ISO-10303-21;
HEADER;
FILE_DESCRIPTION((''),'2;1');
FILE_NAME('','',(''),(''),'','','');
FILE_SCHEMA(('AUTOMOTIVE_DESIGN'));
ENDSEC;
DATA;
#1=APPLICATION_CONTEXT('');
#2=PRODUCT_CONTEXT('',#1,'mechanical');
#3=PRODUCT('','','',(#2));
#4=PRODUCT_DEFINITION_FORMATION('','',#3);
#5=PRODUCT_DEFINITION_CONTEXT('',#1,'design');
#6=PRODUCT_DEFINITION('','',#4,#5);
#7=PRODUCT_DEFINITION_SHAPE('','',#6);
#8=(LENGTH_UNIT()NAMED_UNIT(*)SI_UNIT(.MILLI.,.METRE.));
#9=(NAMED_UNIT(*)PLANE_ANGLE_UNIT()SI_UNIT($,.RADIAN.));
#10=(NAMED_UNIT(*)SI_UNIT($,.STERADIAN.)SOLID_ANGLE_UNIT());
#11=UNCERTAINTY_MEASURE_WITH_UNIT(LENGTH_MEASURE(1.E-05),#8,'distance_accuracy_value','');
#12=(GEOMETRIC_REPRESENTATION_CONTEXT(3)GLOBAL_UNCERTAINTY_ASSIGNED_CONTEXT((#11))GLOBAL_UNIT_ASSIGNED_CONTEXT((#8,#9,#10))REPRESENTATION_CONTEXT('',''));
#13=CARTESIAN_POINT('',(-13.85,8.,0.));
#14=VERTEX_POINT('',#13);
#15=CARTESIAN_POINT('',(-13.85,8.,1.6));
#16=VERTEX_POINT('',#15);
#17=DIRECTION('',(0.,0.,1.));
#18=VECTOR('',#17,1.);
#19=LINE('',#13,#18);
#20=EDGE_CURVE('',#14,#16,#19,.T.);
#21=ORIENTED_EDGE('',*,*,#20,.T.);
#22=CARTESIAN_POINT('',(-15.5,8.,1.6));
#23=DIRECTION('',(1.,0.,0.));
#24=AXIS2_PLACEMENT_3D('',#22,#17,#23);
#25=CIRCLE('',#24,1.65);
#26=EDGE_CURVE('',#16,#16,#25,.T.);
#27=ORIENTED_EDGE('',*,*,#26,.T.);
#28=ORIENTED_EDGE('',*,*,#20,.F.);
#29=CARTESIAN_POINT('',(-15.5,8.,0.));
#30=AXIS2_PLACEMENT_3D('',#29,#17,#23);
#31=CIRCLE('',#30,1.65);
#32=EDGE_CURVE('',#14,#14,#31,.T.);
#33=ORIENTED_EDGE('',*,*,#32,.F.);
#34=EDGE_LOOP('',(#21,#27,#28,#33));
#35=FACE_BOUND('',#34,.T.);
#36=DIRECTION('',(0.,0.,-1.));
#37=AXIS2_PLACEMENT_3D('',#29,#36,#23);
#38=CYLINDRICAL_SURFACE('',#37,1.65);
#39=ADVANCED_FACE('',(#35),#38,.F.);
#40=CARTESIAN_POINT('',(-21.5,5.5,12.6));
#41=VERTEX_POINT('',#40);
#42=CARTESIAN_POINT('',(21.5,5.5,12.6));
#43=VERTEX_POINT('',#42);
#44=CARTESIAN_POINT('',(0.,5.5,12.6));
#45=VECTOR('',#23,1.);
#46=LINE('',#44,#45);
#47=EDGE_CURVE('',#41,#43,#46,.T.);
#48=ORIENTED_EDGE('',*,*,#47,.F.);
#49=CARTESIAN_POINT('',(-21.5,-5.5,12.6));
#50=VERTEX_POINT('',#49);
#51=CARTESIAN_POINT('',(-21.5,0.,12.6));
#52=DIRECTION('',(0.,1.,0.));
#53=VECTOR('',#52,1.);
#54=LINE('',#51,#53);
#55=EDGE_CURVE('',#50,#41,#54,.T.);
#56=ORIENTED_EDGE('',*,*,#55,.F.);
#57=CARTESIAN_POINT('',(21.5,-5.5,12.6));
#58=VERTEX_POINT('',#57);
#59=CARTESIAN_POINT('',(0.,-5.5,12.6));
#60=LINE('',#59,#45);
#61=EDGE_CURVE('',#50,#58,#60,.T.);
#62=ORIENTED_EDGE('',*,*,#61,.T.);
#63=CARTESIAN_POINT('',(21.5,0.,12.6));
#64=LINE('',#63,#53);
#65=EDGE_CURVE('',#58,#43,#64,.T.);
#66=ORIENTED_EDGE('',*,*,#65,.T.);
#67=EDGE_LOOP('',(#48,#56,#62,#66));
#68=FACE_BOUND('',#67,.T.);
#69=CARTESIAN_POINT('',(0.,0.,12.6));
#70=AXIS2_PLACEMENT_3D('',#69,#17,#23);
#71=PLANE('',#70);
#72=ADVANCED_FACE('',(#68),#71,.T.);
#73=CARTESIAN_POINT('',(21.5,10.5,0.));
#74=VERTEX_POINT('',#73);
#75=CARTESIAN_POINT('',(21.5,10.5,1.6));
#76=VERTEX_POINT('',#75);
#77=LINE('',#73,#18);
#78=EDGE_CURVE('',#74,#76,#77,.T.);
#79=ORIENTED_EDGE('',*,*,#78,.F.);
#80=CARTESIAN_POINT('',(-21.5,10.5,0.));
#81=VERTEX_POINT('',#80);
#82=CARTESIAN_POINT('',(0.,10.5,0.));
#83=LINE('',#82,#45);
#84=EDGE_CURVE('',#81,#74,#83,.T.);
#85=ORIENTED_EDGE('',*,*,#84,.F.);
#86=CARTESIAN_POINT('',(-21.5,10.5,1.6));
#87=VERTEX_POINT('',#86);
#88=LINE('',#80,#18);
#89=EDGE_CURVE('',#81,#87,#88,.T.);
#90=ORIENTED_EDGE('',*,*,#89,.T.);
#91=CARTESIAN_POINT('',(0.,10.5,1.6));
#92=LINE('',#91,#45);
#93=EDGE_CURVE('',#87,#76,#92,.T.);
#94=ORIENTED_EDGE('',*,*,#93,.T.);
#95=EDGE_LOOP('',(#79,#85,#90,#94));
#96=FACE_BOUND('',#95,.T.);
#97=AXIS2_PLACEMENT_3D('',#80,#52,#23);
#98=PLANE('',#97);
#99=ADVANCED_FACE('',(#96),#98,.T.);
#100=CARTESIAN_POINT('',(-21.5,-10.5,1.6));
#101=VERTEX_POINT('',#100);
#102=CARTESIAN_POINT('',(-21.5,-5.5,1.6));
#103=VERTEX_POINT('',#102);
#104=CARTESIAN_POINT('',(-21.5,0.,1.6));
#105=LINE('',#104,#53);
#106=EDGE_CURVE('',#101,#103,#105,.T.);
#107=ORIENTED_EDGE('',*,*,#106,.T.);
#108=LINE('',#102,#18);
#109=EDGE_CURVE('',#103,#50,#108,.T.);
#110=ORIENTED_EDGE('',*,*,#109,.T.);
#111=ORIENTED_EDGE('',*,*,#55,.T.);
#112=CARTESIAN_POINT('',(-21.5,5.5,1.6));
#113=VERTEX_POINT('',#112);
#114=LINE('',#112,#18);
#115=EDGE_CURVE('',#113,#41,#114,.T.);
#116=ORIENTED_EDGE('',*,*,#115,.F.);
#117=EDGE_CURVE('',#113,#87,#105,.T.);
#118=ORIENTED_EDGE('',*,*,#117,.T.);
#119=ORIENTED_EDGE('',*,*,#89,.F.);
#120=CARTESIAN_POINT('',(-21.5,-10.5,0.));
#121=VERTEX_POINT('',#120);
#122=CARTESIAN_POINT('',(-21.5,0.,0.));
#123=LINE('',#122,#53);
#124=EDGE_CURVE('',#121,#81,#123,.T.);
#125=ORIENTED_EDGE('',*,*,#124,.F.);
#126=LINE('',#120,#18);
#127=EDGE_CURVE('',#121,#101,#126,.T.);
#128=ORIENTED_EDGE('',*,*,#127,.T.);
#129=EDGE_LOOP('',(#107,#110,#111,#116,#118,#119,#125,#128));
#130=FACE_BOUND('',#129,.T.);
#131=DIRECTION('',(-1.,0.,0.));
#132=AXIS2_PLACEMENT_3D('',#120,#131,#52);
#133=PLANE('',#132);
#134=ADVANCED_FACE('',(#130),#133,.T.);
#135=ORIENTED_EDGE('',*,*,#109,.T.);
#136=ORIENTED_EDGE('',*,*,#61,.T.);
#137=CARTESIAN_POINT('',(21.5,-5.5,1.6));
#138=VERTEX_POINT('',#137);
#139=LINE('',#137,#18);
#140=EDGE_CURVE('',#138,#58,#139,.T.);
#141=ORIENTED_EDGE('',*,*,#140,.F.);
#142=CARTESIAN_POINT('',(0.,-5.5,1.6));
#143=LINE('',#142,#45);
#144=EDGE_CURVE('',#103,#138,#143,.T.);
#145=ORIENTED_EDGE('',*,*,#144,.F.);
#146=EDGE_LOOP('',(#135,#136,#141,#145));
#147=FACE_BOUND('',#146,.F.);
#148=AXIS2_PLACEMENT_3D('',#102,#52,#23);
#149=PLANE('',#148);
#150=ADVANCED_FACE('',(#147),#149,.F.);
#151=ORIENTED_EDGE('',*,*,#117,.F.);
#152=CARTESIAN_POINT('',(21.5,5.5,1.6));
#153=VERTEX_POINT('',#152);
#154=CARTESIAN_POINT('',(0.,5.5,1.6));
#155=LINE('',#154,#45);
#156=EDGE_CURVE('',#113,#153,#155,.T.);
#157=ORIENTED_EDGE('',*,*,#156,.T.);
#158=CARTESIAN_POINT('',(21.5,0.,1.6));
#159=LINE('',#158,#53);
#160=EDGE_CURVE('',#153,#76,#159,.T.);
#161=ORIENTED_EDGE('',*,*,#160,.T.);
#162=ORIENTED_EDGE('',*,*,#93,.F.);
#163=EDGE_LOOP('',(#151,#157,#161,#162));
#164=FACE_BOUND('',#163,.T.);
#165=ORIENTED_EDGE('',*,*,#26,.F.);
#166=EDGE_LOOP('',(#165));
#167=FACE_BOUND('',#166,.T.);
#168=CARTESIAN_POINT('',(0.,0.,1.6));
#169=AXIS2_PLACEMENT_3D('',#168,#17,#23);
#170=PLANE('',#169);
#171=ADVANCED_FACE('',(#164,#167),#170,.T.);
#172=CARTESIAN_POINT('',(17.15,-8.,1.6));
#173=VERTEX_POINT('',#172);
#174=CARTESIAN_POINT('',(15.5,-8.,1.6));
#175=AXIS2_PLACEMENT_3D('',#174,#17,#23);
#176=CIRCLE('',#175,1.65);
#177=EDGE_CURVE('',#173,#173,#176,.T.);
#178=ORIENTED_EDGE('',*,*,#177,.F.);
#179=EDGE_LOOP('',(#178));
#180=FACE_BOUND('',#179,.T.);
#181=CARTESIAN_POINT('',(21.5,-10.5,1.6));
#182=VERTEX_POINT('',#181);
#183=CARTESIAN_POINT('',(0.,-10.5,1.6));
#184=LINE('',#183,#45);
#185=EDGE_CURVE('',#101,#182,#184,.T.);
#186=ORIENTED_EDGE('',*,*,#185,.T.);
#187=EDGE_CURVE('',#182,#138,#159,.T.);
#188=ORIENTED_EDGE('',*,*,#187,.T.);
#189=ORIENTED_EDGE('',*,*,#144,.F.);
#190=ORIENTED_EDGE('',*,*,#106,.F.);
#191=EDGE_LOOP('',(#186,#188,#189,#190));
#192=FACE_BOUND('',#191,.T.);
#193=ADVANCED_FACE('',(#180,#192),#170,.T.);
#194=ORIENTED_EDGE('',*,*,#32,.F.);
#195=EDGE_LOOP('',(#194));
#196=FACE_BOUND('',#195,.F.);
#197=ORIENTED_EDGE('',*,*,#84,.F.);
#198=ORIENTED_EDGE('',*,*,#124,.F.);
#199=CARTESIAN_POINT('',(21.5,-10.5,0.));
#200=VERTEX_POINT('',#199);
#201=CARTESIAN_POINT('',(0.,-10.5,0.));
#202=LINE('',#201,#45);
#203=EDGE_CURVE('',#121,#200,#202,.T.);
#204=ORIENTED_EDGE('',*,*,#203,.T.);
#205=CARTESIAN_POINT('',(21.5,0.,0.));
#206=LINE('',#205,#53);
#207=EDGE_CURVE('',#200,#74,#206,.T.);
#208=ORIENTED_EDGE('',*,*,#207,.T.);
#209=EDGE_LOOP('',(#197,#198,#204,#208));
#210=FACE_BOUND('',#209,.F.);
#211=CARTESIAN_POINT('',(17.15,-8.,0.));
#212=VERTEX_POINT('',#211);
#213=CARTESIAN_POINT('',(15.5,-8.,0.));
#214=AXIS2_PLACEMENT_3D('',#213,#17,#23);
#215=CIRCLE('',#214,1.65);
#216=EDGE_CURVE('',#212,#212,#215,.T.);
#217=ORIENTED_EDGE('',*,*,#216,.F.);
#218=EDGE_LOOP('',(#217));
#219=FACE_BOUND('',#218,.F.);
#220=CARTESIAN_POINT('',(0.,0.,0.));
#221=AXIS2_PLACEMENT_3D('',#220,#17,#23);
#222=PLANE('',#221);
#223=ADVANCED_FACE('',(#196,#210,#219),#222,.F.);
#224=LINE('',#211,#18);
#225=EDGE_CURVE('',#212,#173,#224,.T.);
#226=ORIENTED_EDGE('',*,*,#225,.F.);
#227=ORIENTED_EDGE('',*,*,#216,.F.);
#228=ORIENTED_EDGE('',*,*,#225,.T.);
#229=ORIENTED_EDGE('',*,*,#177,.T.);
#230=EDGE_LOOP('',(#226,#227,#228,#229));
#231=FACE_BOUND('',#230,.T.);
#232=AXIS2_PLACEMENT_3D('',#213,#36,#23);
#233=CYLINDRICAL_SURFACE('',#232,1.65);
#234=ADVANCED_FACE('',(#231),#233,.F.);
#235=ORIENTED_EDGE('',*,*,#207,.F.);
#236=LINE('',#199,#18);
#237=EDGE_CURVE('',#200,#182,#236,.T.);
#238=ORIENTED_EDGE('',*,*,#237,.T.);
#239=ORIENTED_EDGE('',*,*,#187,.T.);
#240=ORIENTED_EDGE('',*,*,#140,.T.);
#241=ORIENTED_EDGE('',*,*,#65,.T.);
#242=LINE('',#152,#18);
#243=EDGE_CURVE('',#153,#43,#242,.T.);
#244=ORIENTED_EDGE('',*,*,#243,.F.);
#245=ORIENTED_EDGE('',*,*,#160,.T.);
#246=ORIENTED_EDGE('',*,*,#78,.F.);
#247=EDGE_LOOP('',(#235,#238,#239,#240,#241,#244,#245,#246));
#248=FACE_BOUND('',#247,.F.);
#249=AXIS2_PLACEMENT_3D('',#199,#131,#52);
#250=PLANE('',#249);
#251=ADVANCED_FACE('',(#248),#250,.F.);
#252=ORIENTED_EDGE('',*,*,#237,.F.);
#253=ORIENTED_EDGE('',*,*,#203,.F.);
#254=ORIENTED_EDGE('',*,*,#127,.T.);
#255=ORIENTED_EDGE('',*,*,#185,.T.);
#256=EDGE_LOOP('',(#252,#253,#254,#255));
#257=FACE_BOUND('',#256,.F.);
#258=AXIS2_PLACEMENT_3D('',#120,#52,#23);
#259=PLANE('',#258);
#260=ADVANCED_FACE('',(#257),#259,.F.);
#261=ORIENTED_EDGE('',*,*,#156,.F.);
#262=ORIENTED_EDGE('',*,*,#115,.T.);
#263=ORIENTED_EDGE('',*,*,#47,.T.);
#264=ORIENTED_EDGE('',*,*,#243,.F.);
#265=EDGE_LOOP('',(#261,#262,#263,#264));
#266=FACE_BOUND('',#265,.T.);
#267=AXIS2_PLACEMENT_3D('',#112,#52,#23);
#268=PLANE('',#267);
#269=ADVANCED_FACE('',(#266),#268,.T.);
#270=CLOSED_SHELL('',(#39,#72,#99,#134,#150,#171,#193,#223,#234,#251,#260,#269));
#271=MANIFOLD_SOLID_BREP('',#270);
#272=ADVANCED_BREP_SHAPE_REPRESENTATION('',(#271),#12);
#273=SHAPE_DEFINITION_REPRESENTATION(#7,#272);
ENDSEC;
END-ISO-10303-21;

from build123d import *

# Parameters (mm, degrees)
F0_W     = 43
F0_H     = 21
F0_R     = 1.65
F1_DEPTH = 1.6
F2_W     = 43
F2_H     = 11
F3_DEPTH = 11


with BuildPart() as f1:
    # F0 (on Top) → F1 (new body)
    with BuildSketch(Plane.XY):
        Rectangle(F0_W, F0_H)
        with Locations((15.5, -8)):
            Circle(F0_R, mode=Mode.SUBTRACT)
        with Locations((-15.5, 8)):
            Circle(F0_R, mode=Mode.SUBTRACT)
    extrude(amount=F1_DEPTH)

    # F2 (on face) → F3 (join)
    with BuildSketch(Plane.XY.offset(1.6)):
        Rectangle(F2_W, F2_H)
    extrude(amount=F3_DEPTH)


solid = f1.part
